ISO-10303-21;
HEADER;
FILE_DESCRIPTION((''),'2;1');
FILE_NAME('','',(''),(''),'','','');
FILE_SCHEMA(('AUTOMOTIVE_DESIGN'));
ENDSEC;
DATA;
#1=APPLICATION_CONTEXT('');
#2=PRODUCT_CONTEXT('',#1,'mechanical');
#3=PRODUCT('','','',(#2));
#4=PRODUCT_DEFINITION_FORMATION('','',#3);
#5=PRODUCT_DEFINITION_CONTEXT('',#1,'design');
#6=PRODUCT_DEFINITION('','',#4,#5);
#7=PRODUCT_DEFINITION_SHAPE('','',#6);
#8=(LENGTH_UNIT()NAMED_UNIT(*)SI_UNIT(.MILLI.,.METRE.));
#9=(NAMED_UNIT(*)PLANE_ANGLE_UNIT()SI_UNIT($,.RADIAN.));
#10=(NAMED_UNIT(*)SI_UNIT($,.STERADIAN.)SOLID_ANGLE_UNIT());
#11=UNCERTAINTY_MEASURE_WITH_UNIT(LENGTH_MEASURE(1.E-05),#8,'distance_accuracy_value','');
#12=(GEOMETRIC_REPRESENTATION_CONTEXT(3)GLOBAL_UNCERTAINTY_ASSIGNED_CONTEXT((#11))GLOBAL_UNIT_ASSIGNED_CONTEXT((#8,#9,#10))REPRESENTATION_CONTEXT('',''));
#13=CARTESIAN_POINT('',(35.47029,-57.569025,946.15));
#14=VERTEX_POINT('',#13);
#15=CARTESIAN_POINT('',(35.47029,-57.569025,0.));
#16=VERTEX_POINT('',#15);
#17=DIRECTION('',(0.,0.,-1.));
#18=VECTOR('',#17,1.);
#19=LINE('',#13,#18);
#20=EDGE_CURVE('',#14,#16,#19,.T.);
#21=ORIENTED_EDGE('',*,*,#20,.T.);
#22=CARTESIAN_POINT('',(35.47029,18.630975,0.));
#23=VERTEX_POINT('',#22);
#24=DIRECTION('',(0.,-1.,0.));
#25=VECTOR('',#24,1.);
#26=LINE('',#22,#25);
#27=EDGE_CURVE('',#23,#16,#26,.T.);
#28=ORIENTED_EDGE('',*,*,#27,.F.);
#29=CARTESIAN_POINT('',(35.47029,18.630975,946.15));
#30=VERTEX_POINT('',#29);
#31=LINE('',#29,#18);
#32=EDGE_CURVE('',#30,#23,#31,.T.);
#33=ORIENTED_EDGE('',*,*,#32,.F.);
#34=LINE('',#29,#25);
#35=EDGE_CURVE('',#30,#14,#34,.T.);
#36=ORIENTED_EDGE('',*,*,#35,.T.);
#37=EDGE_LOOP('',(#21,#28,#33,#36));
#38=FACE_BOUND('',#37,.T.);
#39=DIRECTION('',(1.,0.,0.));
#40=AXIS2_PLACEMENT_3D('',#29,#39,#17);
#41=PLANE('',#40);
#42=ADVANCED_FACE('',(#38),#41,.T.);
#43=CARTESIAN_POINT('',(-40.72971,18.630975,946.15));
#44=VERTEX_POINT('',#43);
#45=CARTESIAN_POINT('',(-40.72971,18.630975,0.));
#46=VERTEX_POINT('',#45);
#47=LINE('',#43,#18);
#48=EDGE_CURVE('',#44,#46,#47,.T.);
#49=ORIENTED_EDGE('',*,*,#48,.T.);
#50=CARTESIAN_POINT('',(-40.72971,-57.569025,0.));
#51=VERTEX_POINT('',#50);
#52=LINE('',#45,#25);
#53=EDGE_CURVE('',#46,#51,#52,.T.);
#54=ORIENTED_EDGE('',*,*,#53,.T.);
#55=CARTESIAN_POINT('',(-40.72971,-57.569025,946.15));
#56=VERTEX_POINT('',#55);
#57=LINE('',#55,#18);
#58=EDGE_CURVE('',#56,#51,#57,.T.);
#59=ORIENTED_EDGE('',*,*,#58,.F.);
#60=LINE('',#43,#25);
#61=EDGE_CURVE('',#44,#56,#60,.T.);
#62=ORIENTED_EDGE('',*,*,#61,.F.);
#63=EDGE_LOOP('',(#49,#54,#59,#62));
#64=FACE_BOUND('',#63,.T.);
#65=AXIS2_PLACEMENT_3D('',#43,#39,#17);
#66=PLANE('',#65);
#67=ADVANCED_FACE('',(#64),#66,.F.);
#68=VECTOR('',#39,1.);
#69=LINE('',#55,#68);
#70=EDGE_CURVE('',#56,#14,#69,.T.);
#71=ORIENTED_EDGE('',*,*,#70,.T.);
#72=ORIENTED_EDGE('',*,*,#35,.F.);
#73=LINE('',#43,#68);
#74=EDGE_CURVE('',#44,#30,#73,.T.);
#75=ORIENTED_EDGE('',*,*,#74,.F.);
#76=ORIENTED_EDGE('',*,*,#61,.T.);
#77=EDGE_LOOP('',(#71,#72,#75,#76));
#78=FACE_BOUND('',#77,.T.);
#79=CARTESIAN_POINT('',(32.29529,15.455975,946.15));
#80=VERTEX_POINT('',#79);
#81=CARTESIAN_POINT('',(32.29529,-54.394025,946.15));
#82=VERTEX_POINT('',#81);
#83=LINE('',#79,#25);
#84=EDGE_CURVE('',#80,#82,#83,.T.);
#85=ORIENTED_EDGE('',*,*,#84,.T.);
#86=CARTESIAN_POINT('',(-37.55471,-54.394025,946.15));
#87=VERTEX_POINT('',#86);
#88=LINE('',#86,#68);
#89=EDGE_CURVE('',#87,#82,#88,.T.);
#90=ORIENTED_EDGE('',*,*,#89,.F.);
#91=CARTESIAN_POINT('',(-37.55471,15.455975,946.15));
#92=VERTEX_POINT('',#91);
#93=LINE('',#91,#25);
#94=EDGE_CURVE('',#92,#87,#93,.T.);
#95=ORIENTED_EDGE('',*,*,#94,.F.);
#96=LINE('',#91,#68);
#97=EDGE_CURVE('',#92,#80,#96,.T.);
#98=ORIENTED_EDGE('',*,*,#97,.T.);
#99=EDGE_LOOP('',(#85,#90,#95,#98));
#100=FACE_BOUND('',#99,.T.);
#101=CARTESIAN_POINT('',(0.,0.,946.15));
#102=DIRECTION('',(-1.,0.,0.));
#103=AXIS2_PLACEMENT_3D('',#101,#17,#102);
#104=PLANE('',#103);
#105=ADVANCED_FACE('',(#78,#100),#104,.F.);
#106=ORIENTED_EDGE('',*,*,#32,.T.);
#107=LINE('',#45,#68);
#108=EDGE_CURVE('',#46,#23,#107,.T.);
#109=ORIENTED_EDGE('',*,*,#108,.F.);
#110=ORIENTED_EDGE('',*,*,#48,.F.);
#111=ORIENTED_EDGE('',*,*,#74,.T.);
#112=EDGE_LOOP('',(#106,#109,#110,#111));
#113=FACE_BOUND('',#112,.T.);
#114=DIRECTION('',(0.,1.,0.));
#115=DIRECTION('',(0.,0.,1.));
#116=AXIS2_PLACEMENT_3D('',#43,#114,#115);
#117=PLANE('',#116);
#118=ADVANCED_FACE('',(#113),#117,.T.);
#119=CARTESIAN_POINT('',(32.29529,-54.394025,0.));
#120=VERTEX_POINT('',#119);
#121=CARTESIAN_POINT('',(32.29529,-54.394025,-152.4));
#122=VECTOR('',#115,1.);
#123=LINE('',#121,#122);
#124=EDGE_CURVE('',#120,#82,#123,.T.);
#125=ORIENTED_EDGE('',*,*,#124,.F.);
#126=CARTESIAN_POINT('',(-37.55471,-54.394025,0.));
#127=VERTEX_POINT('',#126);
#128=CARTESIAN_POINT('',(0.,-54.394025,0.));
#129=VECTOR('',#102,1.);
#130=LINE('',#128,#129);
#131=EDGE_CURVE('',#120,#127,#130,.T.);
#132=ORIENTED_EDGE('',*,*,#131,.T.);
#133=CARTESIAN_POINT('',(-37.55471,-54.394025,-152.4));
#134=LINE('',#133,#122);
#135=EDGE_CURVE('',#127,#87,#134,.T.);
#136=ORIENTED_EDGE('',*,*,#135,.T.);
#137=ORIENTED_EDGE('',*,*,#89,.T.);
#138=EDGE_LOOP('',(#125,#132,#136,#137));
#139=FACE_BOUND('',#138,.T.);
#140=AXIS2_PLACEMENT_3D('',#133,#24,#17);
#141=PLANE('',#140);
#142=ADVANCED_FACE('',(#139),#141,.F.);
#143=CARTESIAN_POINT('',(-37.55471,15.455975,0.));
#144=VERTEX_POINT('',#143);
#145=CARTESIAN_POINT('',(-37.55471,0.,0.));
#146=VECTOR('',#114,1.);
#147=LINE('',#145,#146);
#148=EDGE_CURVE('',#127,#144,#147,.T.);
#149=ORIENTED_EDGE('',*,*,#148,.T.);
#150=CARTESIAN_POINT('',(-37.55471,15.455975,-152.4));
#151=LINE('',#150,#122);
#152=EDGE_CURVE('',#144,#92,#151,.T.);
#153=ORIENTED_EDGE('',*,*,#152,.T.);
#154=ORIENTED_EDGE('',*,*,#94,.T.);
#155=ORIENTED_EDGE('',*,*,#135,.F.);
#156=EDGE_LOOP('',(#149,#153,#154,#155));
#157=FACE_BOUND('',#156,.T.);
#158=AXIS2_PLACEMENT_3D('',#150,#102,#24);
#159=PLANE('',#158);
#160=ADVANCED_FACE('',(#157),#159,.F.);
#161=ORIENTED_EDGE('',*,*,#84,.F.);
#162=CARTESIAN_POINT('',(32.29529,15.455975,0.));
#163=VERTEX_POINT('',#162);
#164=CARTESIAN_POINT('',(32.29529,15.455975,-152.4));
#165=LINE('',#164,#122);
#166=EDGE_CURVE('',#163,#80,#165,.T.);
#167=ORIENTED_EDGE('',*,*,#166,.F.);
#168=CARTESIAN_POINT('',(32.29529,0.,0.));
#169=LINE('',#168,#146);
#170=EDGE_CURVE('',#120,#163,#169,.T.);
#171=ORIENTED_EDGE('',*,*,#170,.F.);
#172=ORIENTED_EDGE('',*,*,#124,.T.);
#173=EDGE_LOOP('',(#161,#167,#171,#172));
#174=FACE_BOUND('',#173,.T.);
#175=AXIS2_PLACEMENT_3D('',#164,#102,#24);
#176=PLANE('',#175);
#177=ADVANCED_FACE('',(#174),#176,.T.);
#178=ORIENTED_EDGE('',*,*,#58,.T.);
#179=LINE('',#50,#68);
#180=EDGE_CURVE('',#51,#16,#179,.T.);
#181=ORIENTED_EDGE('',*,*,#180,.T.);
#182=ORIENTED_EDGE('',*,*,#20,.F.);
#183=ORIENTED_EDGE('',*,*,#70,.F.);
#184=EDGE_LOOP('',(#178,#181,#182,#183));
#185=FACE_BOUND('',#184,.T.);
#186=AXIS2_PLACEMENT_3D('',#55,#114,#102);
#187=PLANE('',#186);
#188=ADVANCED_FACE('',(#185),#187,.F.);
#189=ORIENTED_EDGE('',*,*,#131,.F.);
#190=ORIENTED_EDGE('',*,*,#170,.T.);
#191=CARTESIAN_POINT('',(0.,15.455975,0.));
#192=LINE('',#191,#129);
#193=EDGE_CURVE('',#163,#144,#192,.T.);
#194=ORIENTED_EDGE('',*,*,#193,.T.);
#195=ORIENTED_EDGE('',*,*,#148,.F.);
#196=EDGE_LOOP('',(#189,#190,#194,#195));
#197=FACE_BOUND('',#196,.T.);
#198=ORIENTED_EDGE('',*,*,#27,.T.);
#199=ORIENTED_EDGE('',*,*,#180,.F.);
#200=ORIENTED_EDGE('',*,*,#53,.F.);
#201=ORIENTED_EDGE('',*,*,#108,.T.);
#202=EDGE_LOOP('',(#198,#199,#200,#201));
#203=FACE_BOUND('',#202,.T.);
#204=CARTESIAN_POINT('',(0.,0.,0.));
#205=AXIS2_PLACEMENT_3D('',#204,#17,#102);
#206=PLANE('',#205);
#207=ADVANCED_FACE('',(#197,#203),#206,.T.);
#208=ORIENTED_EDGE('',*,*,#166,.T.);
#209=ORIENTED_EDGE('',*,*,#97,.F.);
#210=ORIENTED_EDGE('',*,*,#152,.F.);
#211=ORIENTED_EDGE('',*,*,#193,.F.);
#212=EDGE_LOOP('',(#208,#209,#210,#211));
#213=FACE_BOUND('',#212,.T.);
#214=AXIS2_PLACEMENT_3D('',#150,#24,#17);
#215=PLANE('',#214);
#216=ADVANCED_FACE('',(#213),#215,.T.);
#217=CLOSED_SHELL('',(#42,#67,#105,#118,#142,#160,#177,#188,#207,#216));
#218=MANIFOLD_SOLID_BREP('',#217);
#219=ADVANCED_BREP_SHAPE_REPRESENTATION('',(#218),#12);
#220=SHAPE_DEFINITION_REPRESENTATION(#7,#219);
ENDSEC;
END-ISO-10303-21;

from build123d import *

# Parameters (mm, degrees)
SKETCH2_W           = 76.2
SKETCH2_H           = 76.2
BOSS_EXTRUDE1_DEPTH = 946.15
SKETCH3_W           = 69.85
SKETCH3_H           = 69.85
CUT_EXTRUDE1_DEPTH  = 1098.55


with BuildPart() as part:
    # Sketch2 → Boss-Extrude1 (new body)
    with BuildSketch(Plane.XY):
        with Locations((-2.629709588, -19.469024582)):
            Rectangle(SKETCH2_W, SKETCH2_H)
    extrude(amount=BOSS_EXTRUDE1_DEPTH)

    # Sketch3 → Cut-Extrude1 (cut)
    with BuildSketch(Plane.XY.offset(946.15)):
        with Locations((-2.629709588, -19.469024582)):
            Rectangle(SKETCH3_W, SKETCH3_H)
    extrude(amount=-CUT_EXTRUDE1_DEPTH, mode=Mode.SUBTRACT)


solid = part.part
